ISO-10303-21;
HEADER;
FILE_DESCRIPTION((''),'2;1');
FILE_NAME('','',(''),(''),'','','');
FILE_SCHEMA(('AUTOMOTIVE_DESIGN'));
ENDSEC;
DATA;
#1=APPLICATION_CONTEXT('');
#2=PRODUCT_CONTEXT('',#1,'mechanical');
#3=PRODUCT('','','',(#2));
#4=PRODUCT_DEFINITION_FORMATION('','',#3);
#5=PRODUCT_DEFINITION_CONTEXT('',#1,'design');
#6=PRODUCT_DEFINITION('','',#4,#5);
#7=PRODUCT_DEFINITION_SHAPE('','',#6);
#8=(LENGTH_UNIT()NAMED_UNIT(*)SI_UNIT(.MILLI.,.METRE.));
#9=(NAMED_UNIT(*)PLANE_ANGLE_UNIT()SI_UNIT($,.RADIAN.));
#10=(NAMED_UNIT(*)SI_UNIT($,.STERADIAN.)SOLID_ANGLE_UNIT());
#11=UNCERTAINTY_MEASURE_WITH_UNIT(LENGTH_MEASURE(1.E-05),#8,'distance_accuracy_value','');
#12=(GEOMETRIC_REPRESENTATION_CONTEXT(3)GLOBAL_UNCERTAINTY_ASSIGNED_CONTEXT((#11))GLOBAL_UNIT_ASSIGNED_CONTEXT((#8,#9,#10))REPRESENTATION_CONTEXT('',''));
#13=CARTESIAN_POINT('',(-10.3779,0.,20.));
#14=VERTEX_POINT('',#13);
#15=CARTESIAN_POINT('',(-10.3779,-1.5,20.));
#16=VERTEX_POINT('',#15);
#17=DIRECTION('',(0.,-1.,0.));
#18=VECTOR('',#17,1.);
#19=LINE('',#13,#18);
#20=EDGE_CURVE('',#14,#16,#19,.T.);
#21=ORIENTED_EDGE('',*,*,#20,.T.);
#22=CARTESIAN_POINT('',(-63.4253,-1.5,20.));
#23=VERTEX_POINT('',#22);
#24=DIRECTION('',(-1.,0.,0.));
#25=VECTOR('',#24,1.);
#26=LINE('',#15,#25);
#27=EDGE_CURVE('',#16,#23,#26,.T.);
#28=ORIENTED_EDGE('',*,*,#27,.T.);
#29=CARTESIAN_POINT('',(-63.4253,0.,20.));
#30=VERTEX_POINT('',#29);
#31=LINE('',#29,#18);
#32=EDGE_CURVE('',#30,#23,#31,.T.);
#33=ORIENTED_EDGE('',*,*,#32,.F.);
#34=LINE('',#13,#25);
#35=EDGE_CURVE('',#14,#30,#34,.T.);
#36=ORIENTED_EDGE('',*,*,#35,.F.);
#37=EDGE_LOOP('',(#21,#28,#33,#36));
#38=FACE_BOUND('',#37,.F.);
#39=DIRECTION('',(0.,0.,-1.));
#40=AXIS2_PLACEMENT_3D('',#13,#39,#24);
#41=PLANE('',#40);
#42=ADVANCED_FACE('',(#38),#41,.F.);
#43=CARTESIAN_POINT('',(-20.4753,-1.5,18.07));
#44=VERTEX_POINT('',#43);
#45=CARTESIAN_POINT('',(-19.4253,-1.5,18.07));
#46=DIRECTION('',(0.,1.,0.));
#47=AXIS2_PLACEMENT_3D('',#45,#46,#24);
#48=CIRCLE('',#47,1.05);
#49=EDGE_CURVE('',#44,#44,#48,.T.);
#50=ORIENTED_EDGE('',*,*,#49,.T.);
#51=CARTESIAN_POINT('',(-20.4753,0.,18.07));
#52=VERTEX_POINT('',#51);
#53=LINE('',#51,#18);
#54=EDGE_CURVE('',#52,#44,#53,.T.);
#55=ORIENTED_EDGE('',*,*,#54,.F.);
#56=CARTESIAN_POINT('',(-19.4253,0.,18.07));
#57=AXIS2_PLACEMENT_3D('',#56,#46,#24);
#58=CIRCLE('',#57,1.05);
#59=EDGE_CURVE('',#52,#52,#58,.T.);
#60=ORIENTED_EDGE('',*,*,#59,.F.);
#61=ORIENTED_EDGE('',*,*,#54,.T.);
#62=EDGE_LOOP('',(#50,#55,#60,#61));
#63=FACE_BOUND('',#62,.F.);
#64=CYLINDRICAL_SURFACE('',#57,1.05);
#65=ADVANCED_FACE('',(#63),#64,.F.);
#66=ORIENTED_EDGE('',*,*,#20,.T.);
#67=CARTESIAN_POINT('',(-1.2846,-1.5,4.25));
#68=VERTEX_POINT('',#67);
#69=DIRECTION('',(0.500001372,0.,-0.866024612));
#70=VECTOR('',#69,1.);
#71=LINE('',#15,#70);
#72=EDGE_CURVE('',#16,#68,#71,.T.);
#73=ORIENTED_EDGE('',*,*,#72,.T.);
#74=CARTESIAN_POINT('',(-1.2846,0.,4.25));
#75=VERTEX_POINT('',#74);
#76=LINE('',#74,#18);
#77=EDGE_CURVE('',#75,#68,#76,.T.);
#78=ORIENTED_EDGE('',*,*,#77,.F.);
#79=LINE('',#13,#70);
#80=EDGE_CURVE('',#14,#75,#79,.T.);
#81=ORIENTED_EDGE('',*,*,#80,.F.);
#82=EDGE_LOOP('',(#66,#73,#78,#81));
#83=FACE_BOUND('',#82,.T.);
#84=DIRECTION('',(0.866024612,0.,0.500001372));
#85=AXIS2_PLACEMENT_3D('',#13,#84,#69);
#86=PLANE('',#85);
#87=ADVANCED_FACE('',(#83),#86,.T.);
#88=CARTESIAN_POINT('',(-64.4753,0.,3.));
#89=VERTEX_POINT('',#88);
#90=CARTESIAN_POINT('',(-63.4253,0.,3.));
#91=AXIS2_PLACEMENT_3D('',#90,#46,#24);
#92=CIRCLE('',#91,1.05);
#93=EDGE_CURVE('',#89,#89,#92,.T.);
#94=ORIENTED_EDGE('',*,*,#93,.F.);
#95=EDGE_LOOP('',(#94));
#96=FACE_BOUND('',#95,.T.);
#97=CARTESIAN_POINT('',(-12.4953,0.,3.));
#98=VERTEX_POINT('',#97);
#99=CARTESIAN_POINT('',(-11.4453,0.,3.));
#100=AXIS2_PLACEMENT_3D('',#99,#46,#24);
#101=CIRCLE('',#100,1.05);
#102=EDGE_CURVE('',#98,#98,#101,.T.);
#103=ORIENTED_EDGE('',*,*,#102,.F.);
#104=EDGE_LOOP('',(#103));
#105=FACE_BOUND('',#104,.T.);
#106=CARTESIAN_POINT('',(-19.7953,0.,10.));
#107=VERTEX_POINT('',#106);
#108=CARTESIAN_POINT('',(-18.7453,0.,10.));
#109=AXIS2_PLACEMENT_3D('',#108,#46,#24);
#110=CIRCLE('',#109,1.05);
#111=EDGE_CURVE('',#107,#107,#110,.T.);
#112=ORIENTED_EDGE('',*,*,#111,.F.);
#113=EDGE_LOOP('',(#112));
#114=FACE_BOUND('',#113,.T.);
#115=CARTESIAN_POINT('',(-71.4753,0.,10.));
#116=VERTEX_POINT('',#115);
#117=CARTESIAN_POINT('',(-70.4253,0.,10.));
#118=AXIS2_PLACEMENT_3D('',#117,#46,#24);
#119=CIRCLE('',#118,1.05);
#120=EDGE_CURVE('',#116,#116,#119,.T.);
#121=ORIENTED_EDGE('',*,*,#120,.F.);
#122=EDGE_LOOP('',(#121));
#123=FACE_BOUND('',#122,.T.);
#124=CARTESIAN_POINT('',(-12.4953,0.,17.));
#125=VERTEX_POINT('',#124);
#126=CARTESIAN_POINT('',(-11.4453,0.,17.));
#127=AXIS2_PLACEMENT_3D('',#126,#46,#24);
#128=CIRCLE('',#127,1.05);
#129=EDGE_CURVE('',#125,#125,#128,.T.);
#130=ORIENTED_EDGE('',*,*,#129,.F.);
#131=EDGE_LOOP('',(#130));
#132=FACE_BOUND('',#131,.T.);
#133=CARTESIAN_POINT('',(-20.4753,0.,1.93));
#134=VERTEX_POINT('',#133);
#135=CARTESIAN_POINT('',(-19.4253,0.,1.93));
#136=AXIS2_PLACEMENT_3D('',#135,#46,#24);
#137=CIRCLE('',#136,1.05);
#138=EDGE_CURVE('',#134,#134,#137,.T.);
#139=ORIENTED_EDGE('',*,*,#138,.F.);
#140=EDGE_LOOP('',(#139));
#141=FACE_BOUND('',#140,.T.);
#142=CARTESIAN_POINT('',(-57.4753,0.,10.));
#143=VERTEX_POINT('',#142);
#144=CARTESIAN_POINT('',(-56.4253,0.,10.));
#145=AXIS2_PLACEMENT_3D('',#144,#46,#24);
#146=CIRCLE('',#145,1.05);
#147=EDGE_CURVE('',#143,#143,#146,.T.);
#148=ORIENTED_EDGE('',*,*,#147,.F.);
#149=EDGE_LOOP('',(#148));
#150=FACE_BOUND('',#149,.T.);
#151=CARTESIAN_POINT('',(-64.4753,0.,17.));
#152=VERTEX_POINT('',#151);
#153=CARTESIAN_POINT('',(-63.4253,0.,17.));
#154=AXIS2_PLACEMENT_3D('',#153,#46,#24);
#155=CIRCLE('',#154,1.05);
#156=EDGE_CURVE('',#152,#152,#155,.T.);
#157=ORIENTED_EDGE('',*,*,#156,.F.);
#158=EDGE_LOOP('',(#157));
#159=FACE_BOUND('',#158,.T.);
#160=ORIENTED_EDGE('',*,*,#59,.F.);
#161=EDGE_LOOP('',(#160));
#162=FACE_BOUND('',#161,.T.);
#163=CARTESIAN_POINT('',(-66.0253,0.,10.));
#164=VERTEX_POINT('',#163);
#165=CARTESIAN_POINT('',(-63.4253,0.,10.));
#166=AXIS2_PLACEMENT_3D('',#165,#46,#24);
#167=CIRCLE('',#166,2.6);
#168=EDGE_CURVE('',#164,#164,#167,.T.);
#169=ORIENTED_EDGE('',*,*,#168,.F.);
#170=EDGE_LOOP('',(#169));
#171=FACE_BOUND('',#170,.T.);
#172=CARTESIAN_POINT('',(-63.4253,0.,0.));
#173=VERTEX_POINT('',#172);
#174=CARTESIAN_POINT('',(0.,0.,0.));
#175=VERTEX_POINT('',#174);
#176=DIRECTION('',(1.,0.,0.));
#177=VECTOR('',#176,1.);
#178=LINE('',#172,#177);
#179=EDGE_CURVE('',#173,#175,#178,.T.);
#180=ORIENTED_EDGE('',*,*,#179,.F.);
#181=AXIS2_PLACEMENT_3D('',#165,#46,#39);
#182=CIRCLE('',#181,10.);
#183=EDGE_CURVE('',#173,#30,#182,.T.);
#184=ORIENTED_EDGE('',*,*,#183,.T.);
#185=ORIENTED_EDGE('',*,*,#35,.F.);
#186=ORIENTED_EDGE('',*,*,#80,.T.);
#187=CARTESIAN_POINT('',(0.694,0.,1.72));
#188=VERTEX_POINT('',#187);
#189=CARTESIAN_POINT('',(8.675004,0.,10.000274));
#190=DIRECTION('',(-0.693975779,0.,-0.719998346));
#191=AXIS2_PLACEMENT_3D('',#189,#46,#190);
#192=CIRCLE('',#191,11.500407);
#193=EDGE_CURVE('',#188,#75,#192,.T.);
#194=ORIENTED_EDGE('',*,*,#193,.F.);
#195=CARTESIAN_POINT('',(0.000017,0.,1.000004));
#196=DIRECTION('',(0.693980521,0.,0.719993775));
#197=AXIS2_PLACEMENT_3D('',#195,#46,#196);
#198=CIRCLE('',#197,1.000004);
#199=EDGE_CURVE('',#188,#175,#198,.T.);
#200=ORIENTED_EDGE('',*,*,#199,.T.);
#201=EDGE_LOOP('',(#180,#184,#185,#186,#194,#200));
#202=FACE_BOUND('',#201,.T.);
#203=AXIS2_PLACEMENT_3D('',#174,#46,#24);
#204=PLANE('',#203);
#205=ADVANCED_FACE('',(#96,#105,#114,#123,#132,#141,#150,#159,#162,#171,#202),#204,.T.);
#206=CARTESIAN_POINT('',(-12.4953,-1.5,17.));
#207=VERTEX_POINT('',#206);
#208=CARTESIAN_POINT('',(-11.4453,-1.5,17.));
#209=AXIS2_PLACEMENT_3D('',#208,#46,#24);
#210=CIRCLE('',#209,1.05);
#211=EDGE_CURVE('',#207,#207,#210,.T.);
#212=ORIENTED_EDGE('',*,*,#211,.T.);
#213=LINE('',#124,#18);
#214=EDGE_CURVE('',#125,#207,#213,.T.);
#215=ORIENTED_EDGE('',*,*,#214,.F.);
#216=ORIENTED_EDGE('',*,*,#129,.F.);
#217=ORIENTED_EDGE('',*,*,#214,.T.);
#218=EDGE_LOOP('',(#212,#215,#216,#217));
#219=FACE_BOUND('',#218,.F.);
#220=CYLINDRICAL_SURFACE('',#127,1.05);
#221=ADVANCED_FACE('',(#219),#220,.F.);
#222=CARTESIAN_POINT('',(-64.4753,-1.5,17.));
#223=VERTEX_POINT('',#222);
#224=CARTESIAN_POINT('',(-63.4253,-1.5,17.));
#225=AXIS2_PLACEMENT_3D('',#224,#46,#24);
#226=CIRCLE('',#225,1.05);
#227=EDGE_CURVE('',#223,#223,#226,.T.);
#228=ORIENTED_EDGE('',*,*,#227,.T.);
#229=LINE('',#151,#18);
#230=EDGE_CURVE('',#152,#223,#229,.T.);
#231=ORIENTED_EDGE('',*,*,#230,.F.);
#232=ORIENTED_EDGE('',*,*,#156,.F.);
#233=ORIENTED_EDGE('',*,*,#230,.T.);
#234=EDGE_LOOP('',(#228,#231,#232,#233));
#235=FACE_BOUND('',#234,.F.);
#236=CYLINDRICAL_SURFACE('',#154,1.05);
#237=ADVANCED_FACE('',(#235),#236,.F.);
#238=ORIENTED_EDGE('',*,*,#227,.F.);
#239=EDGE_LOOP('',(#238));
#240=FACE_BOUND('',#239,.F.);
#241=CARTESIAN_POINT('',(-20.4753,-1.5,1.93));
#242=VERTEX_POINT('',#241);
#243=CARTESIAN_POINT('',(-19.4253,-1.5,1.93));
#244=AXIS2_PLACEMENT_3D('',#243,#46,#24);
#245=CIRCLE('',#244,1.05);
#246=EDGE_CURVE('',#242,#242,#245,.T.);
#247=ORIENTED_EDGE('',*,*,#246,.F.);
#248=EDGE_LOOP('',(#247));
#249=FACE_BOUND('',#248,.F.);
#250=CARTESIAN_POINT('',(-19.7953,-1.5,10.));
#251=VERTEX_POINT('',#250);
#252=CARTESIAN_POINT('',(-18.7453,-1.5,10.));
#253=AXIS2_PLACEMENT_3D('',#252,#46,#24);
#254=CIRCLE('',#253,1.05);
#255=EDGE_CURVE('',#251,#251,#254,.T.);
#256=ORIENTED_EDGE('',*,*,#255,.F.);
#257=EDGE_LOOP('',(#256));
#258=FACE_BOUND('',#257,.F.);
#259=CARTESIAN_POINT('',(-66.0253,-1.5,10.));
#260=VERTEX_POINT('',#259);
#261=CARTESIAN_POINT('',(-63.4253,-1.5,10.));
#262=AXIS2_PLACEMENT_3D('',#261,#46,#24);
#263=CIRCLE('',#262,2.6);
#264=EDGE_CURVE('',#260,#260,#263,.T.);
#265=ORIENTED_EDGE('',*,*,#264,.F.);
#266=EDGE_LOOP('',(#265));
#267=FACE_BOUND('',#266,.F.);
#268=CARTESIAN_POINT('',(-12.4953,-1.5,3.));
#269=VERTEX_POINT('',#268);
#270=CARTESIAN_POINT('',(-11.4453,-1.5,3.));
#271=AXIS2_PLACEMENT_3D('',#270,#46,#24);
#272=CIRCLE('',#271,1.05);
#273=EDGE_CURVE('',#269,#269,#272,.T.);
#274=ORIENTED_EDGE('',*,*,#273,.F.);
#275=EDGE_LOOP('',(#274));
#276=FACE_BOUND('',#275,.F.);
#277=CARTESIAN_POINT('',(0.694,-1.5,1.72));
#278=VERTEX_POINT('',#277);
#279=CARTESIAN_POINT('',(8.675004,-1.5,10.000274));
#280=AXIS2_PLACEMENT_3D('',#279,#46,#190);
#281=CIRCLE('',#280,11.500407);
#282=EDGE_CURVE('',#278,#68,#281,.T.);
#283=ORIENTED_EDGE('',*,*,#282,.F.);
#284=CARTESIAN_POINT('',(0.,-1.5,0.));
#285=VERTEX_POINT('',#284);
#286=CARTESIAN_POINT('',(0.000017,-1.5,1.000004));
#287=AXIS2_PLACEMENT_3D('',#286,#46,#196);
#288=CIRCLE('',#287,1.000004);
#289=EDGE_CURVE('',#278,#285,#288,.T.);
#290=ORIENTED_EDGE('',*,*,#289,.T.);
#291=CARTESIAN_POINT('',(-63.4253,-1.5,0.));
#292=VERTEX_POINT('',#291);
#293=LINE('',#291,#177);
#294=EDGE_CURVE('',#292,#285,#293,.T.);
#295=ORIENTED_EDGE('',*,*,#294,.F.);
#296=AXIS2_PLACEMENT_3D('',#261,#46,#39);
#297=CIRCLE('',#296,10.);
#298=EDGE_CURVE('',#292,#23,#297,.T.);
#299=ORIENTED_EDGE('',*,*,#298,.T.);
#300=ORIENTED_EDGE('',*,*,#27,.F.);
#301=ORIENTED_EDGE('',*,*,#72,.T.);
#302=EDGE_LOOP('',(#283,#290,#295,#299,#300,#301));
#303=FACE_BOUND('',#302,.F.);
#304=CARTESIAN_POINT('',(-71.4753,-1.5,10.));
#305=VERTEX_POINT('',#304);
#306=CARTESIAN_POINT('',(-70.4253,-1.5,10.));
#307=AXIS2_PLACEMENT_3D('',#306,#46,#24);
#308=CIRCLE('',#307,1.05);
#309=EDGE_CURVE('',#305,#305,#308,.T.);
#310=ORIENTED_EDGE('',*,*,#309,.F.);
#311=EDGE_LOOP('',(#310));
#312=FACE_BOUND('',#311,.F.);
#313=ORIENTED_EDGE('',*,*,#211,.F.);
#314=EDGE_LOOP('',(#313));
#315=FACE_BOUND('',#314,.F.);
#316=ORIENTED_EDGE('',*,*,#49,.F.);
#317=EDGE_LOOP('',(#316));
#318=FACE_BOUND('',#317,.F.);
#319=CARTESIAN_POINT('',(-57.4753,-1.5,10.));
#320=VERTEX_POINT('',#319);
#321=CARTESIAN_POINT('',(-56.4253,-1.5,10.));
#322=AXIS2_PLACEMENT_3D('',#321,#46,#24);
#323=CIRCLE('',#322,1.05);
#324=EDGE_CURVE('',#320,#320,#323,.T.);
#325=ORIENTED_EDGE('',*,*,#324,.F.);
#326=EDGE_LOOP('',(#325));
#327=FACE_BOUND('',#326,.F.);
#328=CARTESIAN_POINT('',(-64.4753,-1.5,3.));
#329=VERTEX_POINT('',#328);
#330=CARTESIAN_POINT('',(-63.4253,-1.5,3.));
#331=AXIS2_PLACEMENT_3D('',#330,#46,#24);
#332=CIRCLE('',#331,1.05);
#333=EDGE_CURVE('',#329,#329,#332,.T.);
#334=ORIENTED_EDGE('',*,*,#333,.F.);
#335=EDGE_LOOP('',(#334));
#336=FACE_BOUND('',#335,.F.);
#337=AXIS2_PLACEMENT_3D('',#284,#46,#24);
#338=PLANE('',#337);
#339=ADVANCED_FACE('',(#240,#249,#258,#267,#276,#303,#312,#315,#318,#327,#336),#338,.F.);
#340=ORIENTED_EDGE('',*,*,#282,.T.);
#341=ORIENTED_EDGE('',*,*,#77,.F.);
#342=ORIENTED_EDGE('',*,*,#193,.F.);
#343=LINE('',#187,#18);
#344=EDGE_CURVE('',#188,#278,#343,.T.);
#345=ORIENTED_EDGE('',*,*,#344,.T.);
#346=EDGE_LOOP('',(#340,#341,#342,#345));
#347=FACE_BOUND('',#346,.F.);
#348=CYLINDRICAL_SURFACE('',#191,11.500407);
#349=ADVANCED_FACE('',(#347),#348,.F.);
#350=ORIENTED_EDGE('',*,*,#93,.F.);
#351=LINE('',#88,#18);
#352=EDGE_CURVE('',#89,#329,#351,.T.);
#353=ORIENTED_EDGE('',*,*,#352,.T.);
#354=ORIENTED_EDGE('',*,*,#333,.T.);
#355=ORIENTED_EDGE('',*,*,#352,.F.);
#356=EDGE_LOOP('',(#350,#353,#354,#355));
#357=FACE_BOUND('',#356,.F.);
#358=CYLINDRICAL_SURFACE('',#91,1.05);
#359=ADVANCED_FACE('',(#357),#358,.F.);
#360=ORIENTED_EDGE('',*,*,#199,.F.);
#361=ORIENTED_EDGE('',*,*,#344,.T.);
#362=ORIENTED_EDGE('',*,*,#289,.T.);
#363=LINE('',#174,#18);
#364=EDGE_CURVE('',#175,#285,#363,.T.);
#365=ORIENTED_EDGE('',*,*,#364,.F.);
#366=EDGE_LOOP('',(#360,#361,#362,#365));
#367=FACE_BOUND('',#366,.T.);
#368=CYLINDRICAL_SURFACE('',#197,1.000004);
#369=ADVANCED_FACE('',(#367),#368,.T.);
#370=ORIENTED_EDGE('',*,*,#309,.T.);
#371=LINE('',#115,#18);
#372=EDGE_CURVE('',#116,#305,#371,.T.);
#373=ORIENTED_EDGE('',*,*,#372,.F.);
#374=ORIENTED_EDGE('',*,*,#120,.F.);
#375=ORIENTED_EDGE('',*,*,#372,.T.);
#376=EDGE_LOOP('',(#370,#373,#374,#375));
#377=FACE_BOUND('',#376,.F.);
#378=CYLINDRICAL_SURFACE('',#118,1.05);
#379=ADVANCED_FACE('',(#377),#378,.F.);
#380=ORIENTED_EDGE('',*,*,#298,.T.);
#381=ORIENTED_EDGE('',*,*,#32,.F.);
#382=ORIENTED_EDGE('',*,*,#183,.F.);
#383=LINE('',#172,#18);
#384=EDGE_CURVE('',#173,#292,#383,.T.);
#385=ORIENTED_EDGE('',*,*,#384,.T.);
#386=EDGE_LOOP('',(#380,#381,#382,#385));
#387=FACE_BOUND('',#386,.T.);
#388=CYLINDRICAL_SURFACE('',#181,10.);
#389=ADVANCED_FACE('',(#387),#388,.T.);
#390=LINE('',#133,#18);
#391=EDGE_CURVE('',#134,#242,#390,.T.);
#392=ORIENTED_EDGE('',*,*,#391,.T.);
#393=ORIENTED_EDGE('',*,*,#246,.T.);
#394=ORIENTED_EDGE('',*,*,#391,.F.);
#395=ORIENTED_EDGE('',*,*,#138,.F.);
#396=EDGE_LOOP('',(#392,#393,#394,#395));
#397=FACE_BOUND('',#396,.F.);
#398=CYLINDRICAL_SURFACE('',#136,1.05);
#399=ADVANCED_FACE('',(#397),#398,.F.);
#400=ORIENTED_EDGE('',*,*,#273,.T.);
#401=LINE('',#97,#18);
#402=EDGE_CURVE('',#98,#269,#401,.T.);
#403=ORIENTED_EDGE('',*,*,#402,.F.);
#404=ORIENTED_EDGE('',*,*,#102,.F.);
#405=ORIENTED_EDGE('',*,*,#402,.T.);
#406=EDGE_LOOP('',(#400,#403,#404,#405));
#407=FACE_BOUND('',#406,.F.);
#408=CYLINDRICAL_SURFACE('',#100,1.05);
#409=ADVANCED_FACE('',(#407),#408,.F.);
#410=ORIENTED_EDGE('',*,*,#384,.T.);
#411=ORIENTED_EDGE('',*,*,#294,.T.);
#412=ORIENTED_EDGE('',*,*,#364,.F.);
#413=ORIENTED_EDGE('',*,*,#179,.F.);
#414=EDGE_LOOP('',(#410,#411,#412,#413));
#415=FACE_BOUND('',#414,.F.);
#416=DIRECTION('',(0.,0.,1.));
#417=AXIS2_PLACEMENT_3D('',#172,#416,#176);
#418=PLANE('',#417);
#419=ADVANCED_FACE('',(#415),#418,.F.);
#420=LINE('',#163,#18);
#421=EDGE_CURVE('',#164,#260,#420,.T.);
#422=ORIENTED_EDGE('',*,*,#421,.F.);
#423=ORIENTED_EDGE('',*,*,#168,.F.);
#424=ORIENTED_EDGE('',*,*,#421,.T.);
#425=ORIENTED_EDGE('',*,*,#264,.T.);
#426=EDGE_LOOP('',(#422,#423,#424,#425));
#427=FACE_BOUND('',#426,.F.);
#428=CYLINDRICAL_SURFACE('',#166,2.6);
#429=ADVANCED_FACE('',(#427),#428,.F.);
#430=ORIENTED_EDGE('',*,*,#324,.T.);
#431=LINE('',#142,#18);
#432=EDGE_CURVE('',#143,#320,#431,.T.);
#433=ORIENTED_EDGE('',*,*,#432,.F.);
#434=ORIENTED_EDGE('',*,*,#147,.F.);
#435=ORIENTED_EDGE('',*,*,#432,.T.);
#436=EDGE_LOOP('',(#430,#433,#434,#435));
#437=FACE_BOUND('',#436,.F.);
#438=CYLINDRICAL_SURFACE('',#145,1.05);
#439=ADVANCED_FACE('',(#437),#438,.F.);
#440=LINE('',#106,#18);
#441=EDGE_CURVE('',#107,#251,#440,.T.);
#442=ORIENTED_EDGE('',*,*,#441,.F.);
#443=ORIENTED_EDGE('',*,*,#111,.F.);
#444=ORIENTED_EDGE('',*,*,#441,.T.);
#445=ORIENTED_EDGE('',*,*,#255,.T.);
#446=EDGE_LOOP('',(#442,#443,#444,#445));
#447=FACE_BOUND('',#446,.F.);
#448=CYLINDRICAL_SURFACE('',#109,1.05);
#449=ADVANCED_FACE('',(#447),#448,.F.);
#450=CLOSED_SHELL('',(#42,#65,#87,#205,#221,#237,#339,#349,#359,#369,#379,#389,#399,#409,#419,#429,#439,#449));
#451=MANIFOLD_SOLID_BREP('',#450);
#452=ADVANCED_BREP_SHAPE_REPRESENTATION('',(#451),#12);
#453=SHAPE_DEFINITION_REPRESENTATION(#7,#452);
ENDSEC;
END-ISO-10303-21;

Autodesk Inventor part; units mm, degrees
ref_plane "YZ Plane" through (0, 0, 0) normal (1, 0, 0) x (0, 1, 0)
ref_plane "XZ Plane" through (0, 0, 0) normal (0, 1, 0) x (-1, 0, 0)
ref_plane "XY Plane" through (0, 0, 0) normal (0, 0, 1) x (1, 0, 0)
sketch "Sketch1" plane through (0, 0, 0) normal (0, 1, 0) x (-1, 0, 0)
  circle A0 centre (19.4253, 18.07) radius 1.05
  circle A1 centre (11.4453, 17) radius 1.05
  circle A2 centre (18.7453, 10) radius 1.05
  circle A3 centre (11.4453, 3) radius 1.05
  circle A4 centre (19.4253, 1.93) radius 1.05
  circle A5 centre (63.4253, 10) radius 2.6
  circle A6 centre (63.4253, 17) radius 1.05
  circle A7 centre (56.4253, 10) radius 1.05
  circle A8 centre (63.4253, 3) radius 1.05
  circle A9 centre (70.4253, 10) radius 1.05
  line L0 (10.3779, 20) -> (1.2846, 4.25)
  arc A10 (-0.694, 1.72) -> (1.2846, 4.25) centre (-8.6747, 10) ccw
  arc A11 (-0.694, 1.72) -> (0, 0) centre (0, 1) ccw
  line L1 (63.4253, 0) -> (0, 0)
  arc A12 (63.4253, 0) -> (63.4253, 20) centre (63.4253, 10) ccw
  line L2 (10.3779, 20) -> (63.4253, 20)
  point P0 (0, 0)
extrude "Extrusion1" add sketch "Sketch1" against normal blind 1.5
properties part number "CAM_axis_2_4_connector_frame_powered"
